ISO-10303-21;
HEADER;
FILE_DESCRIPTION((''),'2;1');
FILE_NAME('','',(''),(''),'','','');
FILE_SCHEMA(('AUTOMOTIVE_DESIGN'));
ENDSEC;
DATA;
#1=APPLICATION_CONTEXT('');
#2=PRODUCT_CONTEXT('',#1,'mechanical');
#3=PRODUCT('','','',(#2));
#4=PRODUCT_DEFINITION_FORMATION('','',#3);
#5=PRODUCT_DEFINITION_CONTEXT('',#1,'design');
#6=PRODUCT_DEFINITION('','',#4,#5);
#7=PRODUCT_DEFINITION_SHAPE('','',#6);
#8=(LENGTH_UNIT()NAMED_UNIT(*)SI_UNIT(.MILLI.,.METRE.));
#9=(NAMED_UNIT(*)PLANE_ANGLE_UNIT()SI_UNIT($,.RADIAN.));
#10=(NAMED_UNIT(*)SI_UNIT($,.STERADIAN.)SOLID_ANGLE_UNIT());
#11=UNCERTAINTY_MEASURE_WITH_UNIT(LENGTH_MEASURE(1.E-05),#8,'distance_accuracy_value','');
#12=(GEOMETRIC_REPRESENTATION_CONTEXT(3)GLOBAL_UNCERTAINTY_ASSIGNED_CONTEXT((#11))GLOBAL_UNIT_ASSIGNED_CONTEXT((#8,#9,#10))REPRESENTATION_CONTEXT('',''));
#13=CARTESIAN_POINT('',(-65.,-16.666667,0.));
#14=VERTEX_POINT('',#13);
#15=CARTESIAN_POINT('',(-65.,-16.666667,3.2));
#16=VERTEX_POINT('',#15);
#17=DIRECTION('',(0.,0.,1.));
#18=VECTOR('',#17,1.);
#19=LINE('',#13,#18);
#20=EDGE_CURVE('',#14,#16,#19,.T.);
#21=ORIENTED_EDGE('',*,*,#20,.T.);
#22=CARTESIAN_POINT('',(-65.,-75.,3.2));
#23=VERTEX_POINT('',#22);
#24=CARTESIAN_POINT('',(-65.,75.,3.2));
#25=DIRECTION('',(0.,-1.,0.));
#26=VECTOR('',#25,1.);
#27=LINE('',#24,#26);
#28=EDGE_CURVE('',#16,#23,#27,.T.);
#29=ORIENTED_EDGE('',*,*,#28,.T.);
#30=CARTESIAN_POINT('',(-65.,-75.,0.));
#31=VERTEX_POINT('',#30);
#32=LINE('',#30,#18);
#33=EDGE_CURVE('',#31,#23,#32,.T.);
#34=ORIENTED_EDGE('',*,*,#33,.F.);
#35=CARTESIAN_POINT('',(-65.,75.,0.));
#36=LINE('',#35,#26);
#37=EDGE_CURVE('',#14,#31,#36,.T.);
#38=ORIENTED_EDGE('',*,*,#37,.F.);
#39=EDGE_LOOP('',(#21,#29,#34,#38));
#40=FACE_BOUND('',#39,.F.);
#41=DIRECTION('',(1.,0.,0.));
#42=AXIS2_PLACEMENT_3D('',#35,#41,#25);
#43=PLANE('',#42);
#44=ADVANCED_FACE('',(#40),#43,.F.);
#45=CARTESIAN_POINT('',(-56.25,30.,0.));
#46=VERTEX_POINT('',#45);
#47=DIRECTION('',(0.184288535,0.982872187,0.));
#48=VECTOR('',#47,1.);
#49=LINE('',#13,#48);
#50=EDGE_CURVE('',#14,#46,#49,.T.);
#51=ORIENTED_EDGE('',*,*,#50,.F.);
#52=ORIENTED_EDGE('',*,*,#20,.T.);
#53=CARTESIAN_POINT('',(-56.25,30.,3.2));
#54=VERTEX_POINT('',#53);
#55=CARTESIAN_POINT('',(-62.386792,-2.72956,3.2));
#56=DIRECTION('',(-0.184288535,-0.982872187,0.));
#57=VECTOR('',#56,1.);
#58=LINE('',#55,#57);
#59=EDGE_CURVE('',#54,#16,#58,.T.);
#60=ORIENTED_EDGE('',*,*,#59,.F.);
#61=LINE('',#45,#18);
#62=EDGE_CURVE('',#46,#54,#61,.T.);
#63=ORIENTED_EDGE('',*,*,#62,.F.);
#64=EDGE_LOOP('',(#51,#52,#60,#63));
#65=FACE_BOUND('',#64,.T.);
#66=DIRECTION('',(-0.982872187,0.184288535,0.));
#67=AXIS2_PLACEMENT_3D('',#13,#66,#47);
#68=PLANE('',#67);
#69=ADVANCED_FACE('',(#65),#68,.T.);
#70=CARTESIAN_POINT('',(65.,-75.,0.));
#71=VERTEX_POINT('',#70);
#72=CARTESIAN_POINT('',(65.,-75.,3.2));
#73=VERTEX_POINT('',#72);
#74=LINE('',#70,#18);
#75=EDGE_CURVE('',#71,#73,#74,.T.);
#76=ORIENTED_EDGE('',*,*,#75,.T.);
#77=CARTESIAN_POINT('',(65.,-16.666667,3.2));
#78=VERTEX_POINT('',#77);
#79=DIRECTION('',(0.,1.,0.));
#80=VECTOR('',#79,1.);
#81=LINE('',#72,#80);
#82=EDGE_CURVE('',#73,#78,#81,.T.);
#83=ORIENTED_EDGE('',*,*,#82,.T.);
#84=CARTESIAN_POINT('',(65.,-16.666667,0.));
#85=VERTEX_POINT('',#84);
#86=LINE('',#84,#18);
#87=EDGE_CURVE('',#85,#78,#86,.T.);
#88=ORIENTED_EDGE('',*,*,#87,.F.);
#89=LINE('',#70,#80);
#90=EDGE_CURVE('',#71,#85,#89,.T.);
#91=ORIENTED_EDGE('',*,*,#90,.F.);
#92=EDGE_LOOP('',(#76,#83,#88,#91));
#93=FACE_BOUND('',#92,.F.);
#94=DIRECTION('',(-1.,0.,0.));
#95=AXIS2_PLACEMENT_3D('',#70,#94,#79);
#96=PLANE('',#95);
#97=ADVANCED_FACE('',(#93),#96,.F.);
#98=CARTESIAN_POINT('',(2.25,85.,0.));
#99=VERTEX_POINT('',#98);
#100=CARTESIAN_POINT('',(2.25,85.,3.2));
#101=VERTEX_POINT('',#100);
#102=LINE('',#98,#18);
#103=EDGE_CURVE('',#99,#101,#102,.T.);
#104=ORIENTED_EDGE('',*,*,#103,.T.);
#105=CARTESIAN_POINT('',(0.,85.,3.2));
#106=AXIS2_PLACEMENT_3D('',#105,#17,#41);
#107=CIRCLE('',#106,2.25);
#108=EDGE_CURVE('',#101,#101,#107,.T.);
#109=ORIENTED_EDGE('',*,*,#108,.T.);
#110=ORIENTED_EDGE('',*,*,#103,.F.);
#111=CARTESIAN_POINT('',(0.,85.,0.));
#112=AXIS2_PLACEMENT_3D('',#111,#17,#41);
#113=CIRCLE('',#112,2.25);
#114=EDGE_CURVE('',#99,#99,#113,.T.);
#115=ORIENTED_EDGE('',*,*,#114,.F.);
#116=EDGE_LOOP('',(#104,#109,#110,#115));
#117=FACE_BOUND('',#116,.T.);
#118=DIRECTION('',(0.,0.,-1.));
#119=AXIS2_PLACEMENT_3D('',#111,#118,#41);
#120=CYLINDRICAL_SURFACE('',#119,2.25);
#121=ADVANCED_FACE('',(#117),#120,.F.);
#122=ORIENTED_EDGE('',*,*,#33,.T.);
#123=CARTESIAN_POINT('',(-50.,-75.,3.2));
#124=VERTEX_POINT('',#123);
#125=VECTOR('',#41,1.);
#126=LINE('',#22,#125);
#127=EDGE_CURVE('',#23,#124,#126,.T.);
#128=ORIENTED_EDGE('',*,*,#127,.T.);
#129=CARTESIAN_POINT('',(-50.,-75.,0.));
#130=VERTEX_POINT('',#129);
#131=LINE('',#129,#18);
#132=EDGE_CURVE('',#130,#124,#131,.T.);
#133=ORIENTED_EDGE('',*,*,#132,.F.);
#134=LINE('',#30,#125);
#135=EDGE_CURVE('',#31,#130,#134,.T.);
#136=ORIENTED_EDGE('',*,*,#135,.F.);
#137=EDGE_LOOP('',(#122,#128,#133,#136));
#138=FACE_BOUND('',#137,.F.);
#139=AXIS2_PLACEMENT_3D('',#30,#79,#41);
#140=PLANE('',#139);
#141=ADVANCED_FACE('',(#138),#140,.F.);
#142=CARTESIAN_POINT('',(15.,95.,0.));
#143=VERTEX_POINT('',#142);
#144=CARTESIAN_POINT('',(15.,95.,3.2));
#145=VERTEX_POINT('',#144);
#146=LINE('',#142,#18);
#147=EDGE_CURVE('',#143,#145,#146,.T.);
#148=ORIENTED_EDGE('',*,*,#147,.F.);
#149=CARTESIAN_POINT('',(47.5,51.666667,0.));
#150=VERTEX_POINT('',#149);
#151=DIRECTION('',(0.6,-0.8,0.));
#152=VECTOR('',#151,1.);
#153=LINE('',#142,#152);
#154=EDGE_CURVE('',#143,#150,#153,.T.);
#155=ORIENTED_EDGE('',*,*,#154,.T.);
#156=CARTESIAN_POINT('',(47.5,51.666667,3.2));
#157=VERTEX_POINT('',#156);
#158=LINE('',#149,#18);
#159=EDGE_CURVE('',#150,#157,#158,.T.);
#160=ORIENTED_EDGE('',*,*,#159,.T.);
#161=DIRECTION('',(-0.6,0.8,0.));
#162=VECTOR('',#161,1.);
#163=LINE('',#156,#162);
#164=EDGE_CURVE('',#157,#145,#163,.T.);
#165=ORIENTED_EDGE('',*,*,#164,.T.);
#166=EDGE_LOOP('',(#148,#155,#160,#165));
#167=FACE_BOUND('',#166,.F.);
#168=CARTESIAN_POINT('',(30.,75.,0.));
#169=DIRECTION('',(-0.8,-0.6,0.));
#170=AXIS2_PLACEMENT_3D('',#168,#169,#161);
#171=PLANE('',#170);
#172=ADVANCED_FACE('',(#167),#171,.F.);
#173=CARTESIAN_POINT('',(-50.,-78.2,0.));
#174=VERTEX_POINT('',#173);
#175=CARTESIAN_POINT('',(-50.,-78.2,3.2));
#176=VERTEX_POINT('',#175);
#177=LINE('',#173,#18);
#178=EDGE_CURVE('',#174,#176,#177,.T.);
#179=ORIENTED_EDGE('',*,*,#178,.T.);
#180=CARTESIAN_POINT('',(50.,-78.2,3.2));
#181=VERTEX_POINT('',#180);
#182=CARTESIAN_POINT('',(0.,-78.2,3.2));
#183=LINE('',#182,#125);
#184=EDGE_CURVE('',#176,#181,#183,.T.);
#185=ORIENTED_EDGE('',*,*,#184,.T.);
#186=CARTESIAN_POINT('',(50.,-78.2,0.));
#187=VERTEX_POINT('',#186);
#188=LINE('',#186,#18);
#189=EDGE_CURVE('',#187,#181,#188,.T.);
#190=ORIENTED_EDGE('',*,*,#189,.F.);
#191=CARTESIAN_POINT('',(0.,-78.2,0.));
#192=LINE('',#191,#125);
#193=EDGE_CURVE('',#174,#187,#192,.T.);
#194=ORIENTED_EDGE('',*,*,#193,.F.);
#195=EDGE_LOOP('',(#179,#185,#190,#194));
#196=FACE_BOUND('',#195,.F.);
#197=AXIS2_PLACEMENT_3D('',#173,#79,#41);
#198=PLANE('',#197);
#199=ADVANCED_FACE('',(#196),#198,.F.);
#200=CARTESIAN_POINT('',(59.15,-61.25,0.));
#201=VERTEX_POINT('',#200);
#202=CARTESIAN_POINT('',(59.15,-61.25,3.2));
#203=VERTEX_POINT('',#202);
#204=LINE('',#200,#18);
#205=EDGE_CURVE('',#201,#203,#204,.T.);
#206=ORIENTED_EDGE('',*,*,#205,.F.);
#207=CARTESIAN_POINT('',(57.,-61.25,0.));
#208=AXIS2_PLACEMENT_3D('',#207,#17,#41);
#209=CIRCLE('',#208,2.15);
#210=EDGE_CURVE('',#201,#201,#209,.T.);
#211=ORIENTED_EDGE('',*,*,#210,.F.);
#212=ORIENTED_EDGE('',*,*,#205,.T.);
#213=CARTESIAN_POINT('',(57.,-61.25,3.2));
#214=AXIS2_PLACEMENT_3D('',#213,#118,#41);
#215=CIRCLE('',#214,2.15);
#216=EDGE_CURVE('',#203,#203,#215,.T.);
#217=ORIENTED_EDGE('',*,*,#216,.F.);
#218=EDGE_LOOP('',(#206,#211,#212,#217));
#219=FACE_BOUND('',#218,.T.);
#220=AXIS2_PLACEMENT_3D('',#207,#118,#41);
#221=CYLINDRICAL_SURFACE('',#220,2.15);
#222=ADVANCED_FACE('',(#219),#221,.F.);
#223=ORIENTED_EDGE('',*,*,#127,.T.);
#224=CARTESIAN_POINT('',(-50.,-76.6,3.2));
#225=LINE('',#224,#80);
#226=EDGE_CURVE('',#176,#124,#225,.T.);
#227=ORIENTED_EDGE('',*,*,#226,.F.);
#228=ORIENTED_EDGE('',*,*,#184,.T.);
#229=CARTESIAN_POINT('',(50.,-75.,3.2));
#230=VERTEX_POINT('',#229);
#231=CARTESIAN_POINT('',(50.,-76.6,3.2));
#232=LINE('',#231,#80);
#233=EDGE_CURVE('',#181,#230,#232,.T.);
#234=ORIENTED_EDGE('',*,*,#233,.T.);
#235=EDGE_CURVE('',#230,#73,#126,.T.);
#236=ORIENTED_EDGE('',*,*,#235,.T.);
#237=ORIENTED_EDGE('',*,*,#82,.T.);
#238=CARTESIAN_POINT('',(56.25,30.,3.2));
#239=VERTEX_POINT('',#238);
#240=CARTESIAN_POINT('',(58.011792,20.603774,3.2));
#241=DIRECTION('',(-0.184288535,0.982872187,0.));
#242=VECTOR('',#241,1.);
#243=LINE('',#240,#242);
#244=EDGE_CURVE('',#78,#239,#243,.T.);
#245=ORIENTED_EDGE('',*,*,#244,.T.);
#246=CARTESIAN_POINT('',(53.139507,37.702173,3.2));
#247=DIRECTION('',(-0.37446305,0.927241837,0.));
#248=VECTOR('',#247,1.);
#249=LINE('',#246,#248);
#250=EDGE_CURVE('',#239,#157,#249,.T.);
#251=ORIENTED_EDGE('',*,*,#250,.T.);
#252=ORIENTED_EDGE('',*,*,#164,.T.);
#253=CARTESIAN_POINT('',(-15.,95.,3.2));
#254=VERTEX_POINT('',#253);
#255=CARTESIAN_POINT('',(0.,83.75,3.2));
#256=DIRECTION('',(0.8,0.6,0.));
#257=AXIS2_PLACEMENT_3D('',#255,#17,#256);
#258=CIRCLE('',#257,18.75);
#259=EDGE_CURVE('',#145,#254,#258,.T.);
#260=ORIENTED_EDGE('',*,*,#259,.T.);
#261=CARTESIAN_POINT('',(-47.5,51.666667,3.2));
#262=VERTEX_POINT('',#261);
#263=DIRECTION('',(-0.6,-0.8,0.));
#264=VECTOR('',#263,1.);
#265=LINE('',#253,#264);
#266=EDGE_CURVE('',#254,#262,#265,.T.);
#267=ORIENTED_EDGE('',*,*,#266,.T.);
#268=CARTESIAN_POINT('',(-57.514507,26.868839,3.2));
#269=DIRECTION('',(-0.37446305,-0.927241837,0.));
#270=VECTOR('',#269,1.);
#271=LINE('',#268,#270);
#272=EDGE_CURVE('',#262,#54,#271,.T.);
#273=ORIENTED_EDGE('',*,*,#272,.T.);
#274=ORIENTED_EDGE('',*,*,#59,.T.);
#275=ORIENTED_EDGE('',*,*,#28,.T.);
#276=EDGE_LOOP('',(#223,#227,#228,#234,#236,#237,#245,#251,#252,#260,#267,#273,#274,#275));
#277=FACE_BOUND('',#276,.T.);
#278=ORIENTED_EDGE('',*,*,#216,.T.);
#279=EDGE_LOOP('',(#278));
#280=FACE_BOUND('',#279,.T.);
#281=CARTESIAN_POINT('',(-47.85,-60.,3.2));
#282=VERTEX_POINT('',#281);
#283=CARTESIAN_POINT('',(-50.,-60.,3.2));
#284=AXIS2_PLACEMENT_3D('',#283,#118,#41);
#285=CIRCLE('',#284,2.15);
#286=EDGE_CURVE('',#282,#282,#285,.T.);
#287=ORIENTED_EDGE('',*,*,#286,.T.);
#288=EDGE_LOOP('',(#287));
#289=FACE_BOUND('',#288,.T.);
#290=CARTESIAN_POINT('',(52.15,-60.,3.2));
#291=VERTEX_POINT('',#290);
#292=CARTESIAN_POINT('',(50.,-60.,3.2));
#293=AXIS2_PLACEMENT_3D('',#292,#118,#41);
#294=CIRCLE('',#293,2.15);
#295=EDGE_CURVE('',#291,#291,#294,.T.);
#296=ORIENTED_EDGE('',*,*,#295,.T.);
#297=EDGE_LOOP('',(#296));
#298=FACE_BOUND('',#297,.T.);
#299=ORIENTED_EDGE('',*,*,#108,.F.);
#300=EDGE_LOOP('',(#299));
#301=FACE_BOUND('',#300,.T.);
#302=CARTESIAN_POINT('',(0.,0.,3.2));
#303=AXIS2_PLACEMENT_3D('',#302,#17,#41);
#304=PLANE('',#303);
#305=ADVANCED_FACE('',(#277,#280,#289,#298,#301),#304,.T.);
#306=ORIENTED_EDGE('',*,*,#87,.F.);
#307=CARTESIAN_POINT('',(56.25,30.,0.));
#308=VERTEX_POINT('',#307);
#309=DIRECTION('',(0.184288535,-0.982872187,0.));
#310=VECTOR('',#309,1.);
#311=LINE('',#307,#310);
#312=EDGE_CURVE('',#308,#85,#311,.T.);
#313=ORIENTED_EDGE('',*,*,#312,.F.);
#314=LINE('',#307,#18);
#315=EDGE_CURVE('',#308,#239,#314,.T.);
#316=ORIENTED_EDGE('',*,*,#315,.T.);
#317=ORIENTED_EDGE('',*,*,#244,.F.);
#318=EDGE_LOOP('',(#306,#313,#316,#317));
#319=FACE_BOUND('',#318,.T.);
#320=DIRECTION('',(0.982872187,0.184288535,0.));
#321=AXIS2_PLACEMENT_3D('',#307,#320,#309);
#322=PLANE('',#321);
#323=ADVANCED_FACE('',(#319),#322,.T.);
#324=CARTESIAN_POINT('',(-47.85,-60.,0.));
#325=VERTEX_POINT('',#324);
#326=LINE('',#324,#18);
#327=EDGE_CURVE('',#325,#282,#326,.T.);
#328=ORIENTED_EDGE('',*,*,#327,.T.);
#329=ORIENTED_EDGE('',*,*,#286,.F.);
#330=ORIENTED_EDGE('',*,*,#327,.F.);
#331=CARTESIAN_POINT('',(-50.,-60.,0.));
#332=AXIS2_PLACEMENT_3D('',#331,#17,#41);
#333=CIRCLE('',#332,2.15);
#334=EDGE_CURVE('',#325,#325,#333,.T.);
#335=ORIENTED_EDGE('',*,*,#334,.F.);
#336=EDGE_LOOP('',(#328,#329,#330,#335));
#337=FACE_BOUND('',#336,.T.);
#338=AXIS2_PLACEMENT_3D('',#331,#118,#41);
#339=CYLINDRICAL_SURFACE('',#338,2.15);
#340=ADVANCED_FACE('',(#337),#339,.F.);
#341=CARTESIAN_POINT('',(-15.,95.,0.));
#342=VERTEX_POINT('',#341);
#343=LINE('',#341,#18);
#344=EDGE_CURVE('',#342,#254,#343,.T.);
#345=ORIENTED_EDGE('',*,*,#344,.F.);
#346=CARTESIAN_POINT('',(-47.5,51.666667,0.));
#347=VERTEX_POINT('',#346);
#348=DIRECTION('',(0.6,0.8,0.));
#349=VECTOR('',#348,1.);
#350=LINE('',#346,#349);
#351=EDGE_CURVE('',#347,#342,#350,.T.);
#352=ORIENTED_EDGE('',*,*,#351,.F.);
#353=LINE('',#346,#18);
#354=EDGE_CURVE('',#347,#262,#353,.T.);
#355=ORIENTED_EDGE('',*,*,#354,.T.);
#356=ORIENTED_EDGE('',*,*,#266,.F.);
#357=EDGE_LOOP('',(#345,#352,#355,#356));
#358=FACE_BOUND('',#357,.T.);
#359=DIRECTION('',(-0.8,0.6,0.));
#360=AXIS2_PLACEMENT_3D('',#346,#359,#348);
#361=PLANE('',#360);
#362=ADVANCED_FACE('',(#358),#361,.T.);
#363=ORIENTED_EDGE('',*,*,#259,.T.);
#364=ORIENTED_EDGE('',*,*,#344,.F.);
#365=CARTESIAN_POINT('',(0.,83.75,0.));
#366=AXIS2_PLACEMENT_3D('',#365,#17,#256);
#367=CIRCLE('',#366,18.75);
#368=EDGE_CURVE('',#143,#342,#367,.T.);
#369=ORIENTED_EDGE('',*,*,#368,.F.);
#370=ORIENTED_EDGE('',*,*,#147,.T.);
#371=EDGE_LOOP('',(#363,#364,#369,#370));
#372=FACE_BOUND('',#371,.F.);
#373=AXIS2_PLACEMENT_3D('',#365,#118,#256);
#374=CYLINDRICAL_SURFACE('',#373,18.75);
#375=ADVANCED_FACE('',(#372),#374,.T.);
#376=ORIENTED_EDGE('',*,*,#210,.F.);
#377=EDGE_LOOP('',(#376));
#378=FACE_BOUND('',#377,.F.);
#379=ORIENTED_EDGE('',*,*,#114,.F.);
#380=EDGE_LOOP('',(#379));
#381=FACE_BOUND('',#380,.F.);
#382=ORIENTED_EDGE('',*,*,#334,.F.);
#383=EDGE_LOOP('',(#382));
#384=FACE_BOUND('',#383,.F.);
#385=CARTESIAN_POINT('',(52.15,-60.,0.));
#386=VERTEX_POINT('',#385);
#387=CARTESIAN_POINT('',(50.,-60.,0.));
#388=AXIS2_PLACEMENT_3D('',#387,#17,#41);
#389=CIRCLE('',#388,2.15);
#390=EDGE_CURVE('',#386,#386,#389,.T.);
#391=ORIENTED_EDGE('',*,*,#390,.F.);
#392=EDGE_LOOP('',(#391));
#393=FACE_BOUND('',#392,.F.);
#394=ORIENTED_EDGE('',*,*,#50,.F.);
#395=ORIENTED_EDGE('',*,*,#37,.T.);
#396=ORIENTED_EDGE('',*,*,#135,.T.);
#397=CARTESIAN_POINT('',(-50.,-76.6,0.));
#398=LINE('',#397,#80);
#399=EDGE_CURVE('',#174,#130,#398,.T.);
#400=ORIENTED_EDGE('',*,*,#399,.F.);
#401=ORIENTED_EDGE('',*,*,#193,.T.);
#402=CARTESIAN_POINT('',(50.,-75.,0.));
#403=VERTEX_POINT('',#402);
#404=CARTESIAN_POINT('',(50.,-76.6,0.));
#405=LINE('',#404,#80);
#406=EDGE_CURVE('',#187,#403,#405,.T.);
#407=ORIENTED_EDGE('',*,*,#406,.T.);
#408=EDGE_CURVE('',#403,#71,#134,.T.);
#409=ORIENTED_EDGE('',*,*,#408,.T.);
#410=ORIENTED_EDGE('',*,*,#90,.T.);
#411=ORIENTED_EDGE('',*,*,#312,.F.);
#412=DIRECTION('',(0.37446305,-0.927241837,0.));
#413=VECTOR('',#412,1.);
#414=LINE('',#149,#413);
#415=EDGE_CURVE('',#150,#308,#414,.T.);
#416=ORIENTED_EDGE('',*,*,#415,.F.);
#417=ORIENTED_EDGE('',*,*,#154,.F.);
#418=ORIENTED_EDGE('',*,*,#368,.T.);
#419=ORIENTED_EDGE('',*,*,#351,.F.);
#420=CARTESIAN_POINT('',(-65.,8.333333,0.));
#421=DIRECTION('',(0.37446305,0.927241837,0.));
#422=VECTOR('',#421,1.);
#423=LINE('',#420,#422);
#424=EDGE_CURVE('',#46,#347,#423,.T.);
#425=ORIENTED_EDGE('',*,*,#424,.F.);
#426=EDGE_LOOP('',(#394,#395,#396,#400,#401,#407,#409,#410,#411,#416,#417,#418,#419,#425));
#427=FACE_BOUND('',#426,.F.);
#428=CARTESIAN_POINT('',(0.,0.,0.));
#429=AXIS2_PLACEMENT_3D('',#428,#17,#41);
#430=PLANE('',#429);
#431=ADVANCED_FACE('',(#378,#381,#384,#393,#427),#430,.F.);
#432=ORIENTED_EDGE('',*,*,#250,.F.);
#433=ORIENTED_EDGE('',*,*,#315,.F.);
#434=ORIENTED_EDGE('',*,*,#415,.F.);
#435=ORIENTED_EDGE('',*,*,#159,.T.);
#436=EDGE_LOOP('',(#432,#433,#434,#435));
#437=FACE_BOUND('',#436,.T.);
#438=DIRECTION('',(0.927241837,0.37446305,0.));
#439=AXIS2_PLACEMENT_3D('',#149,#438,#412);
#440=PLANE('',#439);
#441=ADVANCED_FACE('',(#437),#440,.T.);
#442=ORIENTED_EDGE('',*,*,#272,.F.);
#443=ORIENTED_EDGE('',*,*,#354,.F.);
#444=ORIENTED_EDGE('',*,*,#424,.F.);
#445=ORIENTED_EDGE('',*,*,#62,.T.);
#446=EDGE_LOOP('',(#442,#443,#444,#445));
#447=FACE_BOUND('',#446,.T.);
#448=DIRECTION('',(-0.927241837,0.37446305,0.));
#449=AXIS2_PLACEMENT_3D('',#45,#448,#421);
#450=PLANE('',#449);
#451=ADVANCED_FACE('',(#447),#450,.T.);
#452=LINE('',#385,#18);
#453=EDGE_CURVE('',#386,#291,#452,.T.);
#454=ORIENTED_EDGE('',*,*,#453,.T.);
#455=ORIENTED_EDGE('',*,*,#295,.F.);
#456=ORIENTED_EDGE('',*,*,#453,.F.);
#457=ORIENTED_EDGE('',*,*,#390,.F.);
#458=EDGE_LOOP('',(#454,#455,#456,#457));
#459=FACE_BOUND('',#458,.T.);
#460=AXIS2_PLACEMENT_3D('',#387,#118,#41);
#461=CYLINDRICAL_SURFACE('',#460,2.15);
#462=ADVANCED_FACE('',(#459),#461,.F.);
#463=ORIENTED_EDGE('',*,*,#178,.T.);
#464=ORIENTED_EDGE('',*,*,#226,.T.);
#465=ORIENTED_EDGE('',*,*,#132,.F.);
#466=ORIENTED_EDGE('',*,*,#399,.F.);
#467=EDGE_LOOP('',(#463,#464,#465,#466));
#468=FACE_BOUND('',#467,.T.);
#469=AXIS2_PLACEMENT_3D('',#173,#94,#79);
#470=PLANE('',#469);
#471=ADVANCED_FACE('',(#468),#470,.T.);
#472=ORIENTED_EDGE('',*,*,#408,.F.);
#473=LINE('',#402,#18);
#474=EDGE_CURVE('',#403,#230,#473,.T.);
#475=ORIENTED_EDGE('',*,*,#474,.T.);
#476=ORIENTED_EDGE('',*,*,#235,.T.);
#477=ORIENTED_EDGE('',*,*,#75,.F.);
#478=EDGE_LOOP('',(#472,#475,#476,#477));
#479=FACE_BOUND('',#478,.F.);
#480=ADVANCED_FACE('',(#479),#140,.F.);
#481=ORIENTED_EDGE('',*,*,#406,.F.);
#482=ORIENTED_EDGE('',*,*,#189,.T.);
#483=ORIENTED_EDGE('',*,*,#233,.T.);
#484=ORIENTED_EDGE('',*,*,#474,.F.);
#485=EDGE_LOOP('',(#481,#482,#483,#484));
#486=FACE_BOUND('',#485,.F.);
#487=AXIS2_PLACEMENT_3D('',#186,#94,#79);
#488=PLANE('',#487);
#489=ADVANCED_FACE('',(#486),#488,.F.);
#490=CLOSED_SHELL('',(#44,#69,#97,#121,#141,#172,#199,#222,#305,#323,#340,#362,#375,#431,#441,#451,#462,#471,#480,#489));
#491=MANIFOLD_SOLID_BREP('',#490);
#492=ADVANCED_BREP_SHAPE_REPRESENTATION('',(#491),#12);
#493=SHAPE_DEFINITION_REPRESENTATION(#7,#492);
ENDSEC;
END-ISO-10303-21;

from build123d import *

# Parameters (mm, degrees)
F0_W     = 30
F0_H     = 20
F0_R     = 2.25
F1_DEPTH = 3.2
F2_R     = 2.15
F3_DEPTH = 54
F4_W     = 100
F4_H     = 3.2
F5_DEPTH = 3.2


with BuildPart() as f1:
    # F0 (on Top) → F1 (new body)
    with BuildSketch(Plane.XY):
        Polygon((-65, -75), (65, -75), (65, 75), (30, 75), (15, 75), (-15, 75), (-30, 75), (-65, 75), align=None)
        Polygon((15, 75), (30, 75), (15, 95), align=None)
        Polygon((-15, 95), (-30, 75), (-15, 75), align=None)
        with Locations((0, 85)):
            Rectangle(F0_W, F0_H)
        with Locations((0, 85)):
            Circle(F0_R, mode=Mode.SUBTRACT)
        with BuildLine():
            Line((-15, 95), (15, 95))
            ThreePointArc((15, 95), (0, 102.5), (-15, 95))
        make_face()
    extrude(amount=F1_DEPTH)

    # F2 (on Top) → F3 (cut)
    with BuildSketch(Plane.XY):
        with Locations((-50, -60)):
            Circle(F2_R)
        with Locations((50, -60)):
            Circle(F2_R)
        Polygon((-30, 75), (-65, 75), (-65, 28.3333333333), (-47.5, 51.6666666667), align=None)
        Polygon((-47.5, 51.6666666667), (-65, 28.3333333333), (-65, 8.3333333333), (-56.25, 30), align=None)
        Polygon((-56.25, 30), (-65, 8.3333333333), (-65, -16.6666666667), align=None)
        Polygon((65, 8.3333333333), (65, 75), (30, 75), (47.5, 51.6666666667), (56.25, 30), align=None)
        Polygon((65, -16.6666666667), (65, 8.3333333333), (56.25, 30), align=None)
        with Locations((57, -61.25)):
            Circle(F2_R)
    extrude(amount=F3_DEPTH, mode=Mode.SUBTRACT)

    # F4 (on Top) → F5 (join)
    with BuildSketch(Plane.XY):
        with Locations((0, -76.6)):
            Rectangle(F4_W, F4_H)
    extrude(amount=F5_DEPTH)


solid = f1.part
